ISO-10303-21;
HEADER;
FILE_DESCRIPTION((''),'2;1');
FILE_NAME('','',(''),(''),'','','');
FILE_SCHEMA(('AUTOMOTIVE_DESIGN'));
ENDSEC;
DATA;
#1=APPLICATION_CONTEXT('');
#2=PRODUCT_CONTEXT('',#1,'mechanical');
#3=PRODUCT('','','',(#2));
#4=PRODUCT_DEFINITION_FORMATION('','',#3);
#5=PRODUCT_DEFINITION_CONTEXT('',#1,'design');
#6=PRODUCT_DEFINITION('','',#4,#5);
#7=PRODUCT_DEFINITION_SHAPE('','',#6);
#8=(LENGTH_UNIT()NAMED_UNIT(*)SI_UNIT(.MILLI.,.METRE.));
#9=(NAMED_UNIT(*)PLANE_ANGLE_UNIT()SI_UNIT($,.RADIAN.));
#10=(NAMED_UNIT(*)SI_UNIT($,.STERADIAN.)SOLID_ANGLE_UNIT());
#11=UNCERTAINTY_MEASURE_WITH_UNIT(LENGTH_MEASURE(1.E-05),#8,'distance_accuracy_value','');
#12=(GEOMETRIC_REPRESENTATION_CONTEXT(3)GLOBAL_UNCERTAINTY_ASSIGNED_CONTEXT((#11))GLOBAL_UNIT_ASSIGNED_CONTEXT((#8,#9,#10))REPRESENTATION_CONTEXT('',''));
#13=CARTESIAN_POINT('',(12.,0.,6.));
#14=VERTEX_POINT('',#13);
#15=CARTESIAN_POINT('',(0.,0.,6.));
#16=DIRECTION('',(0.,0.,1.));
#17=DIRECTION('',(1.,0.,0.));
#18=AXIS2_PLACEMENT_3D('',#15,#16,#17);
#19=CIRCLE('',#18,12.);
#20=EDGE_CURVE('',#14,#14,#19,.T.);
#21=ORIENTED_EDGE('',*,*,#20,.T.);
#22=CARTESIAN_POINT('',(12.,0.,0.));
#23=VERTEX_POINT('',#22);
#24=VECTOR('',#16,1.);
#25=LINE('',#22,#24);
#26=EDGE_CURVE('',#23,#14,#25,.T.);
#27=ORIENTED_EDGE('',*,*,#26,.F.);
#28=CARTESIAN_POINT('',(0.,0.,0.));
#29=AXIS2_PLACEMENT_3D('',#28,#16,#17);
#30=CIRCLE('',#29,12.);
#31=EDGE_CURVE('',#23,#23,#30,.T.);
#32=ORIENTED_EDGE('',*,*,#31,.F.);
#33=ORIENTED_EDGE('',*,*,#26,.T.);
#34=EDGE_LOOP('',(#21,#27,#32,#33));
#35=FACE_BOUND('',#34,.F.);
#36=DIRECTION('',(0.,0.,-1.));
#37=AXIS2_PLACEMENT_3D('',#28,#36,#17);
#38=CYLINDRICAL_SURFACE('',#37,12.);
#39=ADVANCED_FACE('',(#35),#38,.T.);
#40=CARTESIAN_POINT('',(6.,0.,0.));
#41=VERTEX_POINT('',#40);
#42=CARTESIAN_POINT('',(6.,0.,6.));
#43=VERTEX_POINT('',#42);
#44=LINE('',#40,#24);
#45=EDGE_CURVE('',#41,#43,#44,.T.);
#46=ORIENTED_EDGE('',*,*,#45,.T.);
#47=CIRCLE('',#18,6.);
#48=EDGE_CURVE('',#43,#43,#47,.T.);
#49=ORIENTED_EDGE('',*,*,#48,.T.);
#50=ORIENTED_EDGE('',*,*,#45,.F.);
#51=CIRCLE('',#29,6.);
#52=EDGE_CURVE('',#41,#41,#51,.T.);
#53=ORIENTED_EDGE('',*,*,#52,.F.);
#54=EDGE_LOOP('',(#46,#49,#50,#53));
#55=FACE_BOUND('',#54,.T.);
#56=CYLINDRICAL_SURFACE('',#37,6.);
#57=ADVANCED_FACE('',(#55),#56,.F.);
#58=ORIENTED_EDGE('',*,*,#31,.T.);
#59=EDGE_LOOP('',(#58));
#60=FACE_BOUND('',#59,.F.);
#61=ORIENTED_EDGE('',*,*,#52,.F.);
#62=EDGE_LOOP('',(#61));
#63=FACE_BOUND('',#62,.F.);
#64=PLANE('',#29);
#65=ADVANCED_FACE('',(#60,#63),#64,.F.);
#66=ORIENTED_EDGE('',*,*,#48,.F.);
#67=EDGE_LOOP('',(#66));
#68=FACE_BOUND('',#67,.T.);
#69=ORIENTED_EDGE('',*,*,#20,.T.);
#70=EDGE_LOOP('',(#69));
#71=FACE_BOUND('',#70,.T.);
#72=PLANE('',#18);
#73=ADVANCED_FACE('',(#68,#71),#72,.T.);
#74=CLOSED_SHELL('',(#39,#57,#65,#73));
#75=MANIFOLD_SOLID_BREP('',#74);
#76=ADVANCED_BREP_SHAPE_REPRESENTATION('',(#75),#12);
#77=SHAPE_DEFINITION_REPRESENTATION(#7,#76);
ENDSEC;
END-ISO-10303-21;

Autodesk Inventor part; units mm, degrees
ref_plane "YZ Plane" through (0, 0, 0) normal (1, 0, 0) x (0, 1, 0)
ref_plane "XZ Plane" through (0, 0, 0) normal (0, 1, 0) x (-1, 0, 0)
ref_plane "XY Plane" through (0, 0, 0) normal (0, 0, 1) x (1, 0, 0)
sketch "Sketch1" plane through (0, 0, 0) normal (0, 0, 1) x (1, 0, 0)
  circle A0 centre (0, 0) radius 6
  circle A1 centre (0, 0) radius 12
  dimension "d0" = 12
  dimension "d1" = 24
extrude "Extrusion1" add sketch "Sketch1" along normal blind 6
properties part number "61901 Bearing"
